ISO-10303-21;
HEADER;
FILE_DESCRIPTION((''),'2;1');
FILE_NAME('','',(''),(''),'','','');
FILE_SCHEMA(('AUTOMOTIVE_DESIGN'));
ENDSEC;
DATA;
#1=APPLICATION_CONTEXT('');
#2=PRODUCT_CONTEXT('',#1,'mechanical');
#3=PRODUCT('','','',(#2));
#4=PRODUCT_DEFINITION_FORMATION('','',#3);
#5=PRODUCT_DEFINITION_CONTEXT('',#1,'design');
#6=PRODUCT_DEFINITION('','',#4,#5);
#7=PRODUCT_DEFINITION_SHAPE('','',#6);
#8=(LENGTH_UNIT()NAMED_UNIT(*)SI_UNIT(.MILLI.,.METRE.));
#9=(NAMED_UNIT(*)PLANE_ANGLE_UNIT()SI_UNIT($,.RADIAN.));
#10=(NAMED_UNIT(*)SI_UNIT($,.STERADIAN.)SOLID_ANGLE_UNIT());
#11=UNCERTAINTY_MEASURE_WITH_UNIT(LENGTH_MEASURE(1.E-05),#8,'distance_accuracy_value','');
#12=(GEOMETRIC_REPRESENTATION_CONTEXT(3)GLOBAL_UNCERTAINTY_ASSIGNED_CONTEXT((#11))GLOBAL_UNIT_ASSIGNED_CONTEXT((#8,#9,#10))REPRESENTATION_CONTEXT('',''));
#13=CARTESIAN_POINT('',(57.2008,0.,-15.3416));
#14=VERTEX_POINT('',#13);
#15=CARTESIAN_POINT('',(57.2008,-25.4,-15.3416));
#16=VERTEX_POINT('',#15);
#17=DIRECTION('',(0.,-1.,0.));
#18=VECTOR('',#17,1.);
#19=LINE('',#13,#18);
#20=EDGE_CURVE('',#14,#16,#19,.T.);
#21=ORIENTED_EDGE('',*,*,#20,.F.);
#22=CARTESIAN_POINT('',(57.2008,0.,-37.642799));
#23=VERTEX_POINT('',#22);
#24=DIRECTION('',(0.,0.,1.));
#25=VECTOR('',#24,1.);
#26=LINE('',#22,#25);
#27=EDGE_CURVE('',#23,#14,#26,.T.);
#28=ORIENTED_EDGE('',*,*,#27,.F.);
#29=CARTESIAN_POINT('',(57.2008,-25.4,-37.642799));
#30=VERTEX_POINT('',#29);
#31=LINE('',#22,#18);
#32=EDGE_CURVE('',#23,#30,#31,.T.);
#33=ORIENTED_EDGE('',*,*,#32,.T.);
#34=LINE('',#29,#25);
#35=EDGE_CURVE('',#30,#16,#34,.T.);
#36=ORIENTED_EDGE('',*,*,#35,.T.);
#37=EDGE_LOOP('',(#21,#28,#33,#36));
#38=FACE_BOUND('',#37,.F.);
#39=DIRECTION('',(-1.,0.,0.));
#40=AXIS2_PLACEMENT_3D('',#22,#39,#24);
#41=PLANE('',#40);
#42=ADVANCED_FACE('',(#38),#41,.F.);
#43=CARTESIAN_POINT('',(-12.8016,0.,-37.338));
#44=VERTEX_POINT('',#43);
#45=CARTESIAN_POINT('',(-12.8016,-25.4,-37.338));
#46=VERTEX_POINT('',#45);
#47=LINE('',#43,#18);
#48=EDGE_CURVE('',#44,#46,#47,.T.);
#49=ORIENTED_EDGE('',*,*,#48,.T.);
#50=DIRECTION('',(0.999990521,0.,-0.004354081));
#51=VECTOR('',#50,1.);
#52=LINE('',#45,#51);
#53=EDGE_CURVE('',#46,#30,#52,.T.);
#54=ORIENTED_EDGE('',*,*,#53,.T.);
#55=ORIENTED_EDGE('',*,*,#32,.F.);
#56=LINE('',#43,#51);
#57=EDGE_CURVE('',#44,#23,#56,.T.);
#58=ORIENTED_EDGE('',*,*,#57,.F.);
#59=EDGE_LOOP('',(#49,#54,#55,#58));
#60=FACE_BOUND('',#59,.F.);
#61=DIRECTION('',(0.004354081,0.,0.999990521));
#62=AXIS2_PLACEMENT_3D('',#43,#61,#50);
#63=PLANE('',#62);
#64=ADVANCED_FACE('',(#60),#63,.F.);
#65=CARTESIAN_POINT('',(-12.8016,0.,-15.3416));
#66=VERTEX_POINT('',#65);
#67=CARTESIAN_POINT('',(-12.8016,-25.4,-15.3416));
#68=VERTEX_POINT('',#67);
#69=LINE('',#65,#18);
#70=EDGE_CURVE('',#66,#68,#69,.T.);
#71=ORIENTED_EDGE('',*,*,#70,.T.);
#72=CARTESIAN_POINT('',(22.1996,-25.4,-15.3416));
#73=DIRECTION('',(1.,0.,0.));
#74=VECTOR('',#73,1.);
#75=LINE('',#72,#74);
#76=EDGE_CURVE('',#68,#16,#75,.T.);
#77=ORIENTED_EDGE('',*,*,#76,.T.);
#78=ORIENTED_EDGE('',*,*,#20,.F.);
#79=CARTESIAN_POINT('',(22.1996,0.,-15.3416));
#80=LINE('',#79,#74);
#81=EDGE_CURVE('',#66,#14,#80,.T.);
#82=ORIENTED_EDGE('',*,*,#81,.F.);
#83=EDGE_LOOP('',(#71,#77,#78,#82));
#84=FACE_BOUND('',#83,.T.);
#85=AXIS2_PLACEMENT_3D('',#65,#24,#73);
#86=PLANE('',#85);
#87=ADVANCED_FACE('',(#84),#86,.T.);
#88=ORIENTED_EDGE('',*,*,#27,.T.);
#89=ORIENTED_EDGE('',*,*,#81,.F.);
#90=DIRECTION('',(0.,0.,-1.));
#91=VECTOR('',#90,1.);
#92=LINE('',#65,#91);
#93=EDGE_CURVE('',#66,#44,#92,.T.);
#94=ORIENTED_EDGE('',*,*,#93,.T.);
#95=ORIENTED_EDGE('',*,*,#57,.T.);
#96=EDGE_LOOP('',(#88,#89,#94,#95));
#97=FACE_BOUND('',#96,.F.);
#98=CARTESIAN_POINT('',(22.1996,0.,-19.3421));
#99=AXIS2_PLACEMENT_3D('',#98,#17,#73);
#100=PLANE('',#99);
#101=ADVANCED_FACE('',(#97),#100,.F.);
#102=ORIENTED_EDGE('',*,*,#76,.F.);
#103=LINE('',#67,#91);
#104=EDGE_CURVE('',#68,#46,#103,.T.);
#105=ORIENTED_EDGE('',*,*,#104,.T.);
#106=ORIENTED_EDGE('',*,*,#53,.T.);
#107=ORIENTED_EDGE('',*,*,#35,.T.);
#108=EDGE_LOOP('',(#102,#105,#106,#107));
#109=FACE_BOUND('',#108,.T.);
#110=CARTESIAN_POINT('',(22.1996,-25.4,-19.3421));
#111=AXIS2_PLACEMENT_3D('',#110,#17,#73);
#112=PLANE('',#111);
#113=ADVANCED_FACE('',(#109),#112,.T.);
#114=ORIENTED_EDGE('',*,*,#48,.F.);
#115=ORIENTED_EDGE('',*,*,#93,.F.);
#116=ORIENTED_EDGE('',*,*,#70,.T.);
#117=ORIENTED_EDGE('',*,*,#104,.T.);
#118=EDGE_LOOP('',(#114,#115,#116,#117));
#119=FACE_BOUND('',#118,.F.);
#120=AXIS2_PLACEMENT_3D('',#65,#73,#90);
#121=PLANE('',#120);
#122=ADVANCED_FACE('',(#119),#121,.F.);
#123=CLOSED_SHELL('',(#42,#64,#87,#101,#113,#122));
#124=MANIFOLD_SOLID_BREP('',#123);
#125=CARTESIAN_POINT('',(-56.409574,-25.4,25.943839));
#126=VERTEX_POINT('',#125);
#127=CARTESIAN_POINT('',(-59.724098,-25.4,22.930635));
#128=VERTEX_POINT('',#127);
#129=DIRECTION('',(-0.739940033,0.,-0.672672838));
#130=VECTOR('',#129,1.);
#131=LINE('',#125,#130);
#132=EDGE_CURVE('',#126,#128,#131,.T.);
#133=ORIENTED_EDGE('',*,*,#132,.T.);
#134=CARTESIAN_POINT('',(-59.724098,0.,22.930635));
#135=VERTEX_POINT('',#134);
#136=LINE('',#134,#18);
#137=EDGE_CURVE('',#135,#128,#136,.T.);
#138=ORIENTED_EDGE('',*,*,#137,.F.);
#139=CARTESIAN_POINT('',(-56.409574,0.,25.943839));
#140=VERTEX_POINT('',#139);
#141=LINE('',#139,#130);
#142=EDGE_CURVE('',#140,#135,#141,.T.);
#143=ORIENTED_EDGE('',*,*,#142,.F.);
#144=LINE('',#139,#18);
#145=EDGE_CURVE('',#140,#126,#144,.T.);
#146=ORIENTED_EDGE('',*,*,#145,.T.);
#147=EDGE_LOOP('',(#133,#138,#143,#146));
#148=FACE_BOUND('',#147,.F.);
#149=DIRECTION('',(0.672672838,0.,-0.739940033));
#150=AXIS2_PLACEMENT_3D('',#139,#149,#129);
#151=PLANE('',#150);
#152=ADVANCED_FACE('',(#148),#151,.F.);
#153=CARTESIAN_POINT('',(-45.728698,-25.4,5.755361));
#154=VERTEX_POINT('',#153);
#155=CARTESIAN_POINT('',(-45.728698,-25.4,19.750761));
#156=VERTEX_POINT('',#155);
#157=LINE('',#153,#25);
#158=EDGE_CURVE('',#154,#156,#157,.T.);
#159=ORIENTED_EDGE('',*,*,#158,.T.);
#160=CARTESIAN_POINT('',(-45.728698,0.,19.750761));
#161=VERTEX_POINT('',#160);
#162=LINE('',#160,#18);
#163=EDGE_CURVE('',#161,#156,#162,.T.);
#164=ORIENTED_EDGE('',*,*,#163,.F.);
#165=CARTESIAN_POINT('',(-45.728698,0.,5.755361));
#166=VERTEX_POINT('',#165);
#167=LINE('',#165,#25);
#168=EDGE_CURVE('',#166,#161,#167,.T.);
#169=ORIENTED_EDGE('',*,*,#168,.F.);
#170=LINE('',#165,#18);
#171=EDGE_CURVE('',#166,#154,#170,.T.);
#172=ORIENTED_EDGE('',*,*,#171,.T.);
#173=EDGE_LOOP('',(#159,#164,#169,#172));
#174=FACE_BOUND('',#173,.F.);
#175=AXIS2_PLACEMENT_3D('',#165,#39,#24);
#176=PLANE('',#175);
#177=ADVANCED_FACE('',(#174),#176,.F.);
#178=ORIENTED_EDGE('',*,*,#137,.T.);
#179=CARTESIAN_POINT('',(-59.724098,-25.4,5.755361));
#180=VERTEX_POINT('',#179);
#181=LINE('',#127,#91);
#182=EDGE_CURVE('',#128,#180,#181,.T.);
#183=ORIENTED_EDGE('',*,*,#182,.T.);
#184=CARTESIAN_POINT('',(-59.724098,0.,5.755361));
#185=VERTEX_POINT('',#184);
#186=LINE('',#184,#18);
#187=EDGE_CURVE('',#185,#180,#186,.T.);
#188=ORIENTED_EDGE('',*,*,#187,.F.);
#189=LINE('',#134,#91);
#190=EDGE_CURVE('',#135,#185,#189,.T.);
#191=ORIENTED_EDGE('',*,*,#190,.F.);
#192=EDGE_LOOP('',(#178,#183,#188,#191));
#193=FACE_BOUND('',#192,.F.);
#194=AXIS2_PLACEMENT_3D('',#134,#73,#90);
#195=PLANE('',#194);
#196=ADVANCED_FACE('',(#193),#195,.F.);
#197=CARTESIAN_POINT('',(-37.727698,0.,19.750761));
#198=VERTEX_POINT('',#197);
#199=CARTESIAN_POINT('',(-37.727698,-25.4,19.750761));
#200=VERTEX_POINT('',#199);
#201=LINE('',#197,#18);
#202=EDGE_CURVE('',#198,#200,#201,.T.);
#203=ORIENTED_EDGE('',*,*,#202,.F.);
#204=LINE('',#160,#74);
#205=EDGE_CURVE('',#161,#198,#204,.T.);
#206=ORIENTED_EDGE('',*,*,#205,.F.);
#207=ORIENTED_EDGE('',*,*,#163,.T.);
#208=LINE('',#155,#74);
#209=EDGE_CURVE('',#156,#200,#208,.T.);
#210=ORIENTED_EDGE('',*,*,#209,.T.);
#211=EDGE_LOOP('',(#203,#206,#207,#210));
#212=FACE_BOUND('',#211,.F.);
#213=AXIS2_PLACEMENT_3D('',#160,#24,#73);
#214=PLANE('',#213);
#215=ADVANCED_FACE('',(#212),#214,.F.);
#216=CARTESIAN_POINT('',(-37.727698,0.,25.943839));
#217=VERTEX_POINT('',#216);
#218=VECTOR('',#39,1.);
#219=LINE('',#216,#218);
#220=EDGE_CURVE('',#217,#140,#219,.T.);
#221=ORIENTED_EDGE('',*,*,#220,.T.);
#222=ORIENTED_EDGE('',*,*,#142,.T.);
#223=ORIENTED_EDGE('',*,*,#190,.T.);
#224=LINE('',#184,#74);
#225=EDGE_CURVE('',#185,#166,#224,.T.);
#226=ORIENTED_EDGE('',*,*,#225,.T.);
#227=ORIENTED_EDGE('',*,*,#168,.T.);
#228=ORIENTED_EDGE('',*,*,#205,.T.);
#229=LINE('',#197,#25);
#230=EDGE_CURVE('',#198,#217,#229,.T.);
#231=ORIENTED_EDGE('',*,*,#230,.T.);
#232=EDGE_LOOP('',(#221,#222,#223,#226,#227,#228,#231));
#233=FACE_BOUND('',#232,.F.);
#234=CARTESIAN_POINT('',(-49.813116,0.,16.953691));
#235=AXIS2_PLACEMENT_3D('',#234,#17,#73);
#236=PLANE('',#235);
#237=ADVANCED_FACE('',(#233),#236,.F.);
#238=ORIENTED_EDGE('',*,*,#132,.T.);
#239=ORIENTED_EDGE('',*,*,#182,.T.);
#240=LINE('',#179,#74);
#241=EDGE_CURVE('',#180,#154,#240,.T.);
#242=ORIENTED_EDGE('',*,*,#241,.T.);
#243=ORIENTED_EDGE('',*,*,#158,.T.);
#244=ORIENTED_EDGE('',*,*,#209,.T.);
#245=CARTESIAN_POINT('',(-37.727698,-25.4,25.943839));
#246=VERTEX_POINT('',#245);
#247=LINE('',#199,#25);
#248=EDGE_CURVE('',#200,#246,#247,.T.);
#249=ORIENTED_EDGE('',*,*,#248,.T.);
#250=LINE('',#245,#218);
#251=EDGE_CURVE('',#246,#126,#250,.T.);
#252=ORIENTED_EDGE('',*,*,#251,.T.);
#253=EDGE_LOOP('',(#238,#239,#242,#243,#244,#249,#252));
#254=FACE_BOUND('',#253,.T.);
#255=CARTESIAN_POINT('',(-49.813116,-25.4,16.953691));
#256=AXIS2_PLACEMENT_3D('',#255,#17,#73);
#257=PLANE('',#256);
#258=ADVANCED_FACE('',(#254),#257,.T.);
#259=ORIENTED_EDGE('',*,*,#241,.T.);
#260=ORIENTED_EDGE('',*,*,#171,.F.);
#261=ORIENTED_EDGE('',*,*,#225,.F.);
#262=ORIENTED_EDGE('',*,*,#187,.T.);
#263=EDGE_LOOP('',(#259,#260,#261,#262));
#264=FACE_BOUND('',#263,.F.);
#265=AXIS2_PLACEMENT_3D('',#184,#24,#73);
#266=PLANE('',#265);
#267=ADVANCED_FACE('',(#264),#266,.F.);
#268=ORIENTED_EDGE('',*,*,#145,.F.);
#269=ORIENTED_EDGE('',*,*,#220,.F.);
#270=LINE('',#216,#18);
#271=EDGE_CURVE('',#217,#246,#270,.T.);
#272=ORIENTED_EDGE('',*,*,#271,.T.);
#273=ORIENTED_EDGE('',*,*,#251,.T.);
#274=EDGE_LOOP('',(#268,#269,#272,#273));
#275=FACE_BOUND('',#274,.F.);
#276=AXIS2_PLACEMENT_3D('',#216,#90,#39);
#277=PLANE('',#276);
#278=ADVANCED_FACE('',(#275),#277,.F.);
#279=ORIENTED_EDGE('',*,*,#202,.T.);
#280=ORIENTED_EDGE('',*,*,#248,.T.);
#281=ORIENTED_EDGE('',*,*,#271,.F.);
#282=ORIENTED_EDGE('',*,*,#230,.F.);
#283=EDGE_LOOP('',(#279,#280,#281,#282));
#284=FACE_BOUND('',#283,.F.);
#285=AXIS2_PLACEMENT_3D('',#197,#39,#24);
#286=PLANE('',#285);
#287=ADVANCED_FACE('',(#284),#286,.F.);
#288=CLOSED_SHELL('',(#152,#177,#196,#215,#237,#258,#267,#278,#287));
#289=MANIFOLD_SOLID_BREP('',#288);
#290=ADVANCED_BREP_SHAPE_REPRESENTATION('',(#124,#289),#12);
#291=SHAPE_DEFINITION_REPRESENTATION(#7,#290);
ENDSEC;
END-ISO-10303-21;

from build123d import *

# Parameters (mm, degrees)
F0_W     = 70.0024
F0_H     = 8.001
F1_DEPTH = 25.4


with BuildPart() as f1:
    # F0 (on Front) → F1 (new body)
    with BuildSketch(Plane.XZ):
        Polygon((-56.409574, 25.943839), (-59.724098, 22.930635), (-59.724098, 5.755361), (-45.728698, 5.755361), (-45.728698, 19.750761), (-37.727698, 19.750761), (-37.727698, 25.943839), align=None)
        with Locations((22.1996, -19.3421)):
            Rectangle(F0_W, F0_H)
        Polygon((57.2008, -23.3426), (-12.8016, -23.3426), (-12.8016, -37.338), (57.2008, -37.642799), align=None)
    extrude(amount=F1_DEPTH)


solid = f1.part
